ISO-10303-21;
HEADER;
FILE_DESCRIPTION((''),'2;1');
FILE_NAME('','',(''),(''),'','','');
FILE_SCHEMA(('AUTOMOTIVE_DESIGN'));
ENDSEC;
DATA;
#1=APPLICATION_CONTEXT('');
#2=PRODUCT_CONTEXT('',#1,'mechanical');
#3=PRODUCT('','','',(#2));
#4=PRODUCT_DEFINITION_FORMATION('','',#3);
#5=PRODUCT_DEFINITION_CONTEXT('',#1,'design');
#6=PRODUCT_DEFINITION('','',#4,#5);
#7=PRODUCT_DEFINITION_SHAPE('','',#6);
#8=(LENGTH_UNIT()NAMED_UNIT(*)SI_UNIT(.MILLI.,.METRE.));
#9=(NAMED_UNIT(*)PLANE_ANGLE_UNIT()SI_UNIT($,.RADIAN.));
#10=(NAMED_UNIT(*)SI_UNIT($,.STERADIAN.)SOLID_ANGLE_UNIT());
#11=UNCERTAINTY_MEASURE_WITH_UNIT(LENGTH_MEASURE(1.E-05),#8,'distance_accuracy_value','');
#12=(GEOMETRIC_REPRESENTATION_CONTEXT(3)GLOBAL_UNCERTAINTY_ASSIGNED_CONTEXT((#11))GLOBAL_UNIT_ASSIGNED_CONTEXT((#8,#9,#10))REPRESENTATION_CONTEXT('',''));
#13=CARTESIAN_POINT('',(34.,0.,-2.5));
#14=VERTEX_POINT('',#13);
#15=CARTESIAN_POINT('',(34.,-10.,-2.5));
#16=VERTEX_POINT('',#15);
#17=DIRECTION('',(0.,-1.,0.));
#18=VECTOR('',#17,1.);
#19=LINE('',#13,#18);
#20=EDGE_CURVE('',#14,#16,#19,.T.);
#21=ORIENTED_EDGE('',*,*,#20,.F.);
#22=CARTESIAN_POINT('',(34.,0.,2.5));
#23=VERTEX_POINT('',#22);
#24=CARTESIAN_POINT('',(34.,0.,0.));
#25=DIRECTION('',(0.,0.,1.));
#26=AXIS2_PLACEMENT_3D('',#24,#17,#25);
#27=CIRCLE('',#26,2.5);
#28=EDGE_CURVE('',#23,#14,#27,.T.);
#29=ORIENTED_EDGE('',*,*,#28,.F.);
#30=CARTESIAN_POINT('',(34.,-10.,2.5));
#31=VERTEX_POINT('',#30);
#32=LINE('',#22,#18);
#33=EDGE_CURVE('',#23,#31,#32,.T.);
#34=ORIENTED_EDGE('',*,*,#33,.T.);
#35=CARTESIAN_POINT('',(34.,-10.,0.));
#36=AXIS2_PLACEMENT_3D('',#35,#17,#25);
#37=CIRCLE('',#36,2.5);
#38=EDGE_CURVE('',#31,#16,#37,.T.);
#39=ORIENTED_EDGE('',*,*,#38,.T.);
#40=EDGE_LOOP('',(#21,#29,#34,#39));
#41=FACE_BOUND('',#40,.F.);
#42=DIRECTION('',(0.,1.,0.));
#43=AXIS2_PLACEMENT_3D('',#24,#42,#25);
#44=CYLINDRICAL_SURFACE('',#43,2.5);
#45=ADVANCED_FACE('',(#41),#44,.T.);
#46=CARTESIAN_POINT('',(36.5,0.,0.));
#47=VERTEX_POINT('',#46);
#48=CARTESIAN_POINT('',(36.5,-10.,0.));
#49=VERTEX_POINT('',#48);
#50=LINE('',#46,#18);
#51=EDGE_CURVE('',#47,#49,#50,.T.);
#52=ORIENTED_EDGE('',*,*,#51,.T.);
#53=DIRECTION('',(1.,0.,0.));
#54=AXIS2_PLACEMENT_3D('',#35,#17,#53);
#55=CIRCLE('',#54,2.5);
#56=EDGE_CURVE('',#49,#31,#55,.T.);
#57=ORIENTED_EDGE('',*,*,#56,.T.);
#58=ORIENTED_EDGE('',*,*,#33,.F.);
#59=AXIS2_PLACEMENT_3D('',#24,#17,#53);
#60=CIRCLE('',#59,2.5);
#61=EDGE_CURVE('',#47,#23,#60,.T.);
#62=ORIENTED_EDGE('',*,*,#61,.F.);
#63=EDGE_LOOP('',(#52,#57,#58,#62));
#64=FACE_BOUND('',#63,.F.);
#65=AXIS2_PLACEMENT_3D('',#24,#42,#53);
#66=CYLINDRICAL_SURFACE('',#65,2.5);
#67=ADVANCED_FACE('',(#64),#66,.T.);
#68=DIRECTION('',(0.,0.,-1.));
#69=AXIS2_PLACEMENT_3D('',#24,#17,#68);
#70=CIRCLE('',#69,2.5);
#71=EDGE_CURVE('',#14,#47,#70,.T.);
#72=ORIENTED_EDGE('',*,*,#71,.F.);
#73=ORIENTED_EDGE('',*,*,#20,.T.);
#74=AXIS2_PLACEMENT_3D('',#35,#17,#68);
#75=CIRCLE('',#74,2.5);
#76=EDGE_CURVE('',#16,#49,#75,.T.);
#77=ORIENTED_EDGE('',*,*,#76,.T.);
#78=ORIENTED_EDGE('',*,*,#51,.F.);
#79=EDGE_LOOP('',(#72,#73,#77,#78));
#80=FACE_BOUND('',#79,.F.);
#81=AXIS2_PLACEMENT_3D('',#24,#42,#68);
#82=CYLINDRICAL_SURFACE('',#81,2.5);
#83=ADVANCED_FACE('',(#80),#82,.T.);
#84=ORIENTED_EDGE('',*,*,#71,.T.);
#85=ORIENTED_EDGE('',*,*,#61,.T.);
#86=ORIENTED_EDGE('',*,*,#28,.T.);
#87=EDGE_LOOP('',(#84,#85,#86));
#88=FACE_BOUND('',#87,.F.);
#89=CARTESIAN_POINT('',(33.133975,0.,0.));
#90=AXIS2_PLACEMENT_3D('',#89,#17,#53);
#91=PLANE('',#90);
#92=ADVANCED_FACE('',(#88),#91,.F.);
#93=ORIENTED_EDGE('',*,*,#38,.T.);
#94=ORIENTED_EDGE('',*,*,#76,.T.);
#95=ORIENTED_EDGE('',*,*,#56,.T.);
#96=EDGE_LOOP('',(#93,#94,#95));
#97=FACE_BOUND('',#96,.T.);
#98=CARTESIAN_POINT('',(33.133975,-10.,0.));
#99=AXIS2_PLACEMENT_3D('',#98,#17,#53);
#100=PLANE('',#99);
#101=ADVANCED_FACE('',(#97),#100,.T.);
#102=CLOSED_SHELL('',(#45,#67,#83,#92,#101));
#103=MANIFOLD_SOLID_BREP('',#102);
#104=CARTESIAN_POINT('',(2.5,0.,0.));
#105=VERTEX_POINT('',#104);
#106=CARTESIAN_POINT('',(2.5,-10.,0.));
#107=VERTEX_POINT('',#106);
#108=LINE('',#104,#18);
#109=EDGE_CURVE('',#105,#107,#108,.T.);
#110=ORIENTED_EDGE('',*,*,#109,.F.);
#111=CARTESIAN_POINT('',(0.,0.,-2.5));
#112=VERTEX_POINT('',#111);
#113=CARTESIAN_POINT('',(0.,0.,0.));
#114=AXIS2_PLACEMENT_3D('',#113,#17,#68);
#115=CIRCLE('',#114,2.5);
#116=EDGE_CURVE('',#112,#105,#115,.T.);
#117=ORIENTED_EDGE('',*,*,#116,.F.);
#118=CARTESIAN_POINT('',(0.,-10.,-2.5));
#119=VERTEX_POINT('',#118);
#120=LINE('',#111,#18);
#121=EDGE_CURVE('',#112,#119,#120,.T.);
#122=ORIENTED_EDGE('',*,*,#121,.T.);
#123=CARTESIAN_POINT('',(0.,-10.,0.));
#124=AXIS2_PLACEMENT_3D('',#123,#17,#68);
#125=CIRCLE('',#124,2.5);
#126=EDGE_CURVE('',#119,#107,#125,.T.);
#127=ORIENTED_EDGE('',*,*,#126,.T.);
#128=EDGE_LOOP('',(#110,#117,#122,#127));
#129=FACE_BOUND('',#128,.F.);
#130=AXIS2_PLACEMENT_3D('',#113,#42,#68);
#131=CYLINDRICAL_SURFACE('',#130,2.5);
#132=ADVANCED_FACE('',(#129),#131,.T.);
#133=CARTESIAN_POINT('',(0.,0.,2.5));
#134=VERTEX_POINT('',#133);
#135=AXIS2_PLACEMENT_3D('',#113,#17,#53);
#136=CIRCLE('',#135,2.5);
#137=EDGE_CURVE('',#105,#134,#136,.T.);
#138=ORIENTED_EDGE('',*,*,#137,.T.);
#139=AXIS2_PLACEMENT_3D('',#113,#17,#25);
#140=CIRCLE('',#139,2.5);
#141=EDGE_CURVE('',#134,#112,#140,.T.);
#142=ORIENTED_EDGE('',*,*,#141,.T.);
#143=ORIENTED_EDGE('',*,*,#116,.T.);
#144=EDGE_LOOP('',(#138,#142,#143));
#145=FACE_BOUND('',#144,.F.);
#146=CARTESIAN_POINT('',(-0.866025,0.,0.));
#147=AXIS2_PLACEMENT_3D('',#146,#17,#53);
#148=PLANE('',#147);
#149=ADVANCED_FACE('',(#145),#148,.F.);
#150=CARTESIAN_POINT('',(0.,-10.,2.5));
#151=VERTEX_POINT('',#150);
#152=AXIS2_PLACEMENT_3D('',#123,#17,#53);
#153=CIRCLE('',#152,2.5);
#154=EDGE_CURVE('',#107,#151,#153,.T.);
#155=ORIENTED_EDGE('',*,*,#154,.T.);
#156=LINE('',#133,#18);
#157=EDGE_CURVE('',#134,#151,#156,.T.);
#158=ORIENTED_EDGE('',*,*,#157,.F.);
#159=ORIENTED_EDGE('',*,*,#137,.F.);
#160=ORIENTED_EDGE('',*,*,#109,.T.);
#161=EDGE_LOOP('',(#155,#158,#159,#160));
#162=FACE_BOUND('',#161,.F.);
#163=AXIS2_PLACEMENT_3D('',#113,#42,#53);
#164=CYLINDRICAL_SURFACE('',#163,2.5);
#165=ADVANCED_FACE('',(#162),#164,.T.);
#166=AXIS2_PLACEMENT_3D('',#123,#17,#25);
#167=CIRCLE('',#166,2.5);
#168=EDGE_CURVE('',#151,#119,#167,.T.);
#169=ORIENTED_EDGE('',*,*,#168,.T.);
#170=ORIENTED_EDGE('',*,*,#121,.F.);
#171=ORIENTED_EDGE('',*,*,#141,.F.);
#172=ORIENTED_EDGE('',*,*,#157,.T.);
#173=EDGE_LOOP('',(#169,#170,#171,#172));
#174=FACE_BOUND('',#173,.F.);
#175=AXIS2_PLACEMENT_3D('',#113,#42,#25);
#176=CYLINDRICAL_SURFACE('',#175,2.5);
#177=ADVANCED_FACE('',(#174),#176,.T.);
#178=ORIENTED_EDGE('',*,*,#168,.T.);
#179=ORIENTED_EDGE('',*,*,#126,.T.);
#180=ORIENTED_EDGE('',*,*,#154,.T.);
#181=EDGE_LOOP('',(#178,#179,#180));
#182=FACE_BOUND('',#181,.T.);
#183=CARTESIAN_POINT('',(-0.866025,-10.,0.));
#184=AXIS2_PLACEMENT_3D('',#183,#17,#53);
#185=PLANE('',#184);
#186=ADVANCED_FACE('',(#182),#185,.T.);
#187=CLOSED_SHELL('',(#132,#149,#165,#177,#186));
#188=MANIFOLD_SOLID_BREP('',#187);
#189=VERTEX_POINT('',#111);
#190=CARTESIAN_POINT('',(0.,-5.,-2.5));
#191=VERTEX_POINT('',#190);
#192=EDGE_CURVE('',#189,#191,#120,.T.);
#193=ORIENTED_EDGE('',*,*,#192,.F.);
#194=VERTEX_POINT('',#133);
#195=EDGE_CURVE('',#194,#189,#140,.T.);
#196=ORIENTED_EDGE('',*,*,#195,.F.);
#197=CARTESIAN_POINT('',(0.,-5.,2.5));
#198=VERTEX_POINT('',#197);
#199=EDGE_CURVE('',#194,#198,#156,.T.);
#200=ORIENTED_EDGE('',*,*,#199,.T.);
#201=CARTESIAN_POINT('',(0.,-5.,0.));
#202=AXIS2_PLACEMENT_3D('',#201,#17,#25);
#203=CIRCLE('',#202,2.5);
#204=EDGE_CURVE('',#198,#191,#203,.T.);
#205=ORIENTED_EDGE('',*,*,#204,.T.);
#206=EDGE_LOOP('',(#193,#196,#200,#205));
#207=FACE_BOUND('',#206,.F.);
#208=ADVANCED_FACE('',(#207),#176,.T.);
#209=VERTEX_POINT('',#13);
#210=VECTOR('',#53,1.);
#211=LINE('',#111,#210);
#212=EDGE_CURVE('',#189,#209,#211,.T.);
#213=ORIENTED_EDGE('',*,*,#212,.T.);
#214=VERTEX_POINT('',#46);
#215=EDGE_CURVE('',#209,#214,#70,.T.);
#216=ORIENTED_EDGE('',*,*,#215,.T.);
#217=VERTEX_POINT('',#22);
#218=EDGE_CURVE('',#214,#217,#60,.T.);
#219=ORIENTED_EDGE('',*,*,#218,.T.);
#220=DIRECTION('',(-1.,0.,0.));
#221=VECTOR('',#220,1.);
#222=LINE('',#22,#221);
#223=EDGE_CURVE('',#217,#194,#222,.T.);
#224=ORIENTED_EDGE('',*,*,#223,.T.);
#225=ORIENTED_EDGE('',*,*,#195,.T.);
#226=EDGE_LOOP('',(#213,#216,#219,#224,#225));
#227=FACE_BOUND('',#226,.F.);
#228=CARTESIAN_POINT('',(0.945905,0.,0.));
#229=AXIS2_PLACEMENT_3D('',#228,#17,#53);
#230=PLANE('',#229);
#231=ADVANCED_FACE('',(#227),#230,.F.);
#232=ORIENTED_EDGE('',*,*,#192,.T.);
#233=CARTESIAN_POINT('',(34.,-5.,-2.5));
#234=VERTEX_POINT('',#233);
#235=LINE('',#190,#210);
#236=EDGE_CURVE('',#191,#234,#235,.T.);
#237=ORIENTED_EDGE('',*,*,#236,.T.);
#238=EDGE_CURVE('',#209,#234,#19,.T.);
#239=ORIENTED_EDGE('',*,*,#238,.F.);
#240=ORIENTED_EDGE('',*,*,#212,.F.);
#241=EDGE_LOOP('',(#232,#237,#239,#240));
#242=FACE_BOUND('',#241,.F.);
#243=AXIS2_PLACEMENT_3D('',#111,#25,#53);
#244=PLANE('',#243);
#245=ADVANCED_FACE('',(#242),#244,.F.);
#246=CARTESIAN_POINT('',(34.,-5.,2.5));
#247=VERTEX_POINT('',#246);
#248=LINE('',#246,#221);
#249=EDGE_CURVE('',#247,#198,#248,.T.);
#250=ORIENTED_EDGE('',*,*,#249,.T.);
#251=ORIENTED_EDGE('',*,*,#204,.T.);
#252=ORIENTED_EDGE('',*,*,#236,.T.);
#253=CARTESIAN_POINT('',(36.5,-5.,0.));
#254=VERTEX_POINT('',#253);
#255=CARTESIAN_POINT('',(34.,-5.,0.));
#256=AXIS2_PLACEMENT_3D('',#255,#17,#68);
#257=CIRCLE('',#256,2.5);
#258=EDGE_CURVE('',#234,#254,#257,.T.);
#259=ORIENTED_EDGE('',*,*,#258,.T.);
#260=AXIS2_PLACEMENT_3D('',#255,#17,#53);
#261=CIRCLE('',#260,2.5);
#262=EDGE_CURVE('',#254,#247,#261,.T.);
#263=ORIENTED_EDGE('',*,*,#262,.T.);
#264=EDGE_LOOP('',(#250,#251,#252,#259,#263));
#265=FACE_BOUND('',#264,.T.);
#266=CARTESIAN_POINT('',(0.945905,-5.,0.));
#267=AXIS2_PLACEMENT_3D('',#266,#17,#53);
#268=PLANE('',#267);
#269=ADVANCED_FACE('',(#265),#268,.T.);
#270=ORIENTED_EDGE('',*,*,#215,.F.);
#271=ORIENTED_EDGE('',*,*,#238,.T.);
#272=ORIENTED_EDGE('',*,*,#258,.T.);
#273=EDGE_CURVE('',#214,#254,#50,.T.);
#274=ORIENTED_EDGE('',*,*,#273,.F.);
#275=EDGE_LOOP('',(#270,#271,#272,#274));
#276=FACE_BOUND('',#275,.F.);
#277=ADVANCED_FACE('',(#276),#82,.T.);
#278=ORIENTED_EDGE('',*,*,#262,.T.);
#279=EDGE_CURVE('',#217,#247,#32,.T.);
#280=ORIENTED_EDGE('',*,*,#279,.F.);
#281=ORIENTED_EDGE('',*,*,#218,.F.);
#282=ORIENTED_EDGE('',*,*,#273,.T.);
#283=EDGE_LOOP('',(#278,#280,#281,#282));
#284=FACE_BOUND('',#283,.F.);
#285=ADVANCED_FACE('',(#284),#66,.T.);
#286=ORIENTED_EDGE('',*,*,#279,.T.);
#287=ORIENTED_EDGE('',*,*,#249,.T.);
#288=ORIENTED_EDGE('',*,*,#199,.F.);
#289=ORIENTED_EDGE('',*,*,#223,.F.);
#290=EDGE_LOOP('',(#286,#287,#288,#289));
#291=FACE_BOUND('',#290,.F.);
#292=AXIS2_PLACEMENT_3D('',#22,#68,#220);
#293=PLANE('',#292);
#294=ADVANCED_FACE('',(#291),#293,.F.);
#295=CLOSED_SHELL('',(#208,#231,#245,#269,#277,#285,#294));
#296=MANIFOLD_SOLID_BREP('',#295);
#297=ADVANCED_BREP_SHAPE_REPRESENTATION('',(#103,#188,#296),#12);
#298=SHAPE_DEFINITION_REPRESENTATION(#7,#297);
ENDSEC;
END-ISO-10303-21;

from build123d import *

# Parameters (mm, degrees)
F1_DEPTH = 10
F2_DEPTH = 5


with BuildPart() as f1:
    # F0 (on Front) → F1 (new body)
    with BuildSketch(Plane.XZ):
        with BuildLine():
            Line((0, -2.5), (0, 2.5))
            ThreePointArc((0, 2.5), (-2.5, 0), (0, -2.5))
        make_face()
        with BuildLine():
            ThreePointArc((0, -2.5), (1.767766953, -1.767766953), (2.5, 0))
            ThreePointArc((2.5, 0), (1.767766953, 1.767766953), (0, 2.5))
            Line((0, 2.5), (0, -2.5))
        make_face()
    extrude(amount=F1_DEPTH)


with BuildPart() as f1b:
    # F0 (on Front) → F1, piece 2 (new body)
    with BuildSketch(Plane.XZ):
        with BuildLine():
            Line((34, -2.5), (34, 2.5))
            ThreePointArc((34, 2.5), (31.5, 0), (34, -2.5))
        make_face()
        with BuildLine():
            ThreePointArc((36.5, 0), (35.767766953, 1.767766953), (34, 2.5))
            Line((34, 2.5), (34, -2.5))
            ThreePointArc((34, -2.5), (35.767766953, -1.767766953), (36.5, 0))
        make_face()
    extrude(amount=F1_DEPTH)


with BuildPart() as f2:
    # F0 (on Front) → F2 (new body)
    with BuildSketch(Plane.XZ):
        with BuildLine():
            ThreePointArc((0, -2.5), (1.767766953, -1.767766953), (2.5, 0))
            ThreePointArc((2.5, 0), (1.767766953, 1.767766953), (0, 2.5))
            Line((0, 2.5), (0, -2.5))
        make_face()
        with BuildLine():
            ThreePointArc((0, 2.5), (1.767766953, 1.767766953), (2.5, 0))
            ThreePointArc((2.5, 0), (1.767766953, -1.767766953), (0, -2.5))
            Line((0, -2.5), (34, -2.5))
            ThreePointArc((34, -2.5), (31.5, 0), (34, 2.5))
            Line((34, 2.5), (0, 2.5))
        make_face()
        with BuildLine():
            Line((0, -2.5), (0, 2.5))
            ThreePointArc((0, 2.5), (-2.5, 0), (0, -2.5))
        make_face()
        with BuildLine():
            Line((34, -2.5), (34, 2.5))
            ThreePointArc((34, 2.5), (31.5, 0), (34, -2.5))
        make_face()
        with BuildLine():
            ThreePointArc((36.5, 0), (35.767766953, 1.767766953), (34, 2.5))
            Line((34, 2.5), (34, -2.5))
            ThreePointArc((34, -2.5), (35.767766953, -1.767766953), (36.5, 0))
        make_face()
    extrude(amount=F2_DEPTH)


solid = Compound([f1.part, f1b.part, f2.part])
